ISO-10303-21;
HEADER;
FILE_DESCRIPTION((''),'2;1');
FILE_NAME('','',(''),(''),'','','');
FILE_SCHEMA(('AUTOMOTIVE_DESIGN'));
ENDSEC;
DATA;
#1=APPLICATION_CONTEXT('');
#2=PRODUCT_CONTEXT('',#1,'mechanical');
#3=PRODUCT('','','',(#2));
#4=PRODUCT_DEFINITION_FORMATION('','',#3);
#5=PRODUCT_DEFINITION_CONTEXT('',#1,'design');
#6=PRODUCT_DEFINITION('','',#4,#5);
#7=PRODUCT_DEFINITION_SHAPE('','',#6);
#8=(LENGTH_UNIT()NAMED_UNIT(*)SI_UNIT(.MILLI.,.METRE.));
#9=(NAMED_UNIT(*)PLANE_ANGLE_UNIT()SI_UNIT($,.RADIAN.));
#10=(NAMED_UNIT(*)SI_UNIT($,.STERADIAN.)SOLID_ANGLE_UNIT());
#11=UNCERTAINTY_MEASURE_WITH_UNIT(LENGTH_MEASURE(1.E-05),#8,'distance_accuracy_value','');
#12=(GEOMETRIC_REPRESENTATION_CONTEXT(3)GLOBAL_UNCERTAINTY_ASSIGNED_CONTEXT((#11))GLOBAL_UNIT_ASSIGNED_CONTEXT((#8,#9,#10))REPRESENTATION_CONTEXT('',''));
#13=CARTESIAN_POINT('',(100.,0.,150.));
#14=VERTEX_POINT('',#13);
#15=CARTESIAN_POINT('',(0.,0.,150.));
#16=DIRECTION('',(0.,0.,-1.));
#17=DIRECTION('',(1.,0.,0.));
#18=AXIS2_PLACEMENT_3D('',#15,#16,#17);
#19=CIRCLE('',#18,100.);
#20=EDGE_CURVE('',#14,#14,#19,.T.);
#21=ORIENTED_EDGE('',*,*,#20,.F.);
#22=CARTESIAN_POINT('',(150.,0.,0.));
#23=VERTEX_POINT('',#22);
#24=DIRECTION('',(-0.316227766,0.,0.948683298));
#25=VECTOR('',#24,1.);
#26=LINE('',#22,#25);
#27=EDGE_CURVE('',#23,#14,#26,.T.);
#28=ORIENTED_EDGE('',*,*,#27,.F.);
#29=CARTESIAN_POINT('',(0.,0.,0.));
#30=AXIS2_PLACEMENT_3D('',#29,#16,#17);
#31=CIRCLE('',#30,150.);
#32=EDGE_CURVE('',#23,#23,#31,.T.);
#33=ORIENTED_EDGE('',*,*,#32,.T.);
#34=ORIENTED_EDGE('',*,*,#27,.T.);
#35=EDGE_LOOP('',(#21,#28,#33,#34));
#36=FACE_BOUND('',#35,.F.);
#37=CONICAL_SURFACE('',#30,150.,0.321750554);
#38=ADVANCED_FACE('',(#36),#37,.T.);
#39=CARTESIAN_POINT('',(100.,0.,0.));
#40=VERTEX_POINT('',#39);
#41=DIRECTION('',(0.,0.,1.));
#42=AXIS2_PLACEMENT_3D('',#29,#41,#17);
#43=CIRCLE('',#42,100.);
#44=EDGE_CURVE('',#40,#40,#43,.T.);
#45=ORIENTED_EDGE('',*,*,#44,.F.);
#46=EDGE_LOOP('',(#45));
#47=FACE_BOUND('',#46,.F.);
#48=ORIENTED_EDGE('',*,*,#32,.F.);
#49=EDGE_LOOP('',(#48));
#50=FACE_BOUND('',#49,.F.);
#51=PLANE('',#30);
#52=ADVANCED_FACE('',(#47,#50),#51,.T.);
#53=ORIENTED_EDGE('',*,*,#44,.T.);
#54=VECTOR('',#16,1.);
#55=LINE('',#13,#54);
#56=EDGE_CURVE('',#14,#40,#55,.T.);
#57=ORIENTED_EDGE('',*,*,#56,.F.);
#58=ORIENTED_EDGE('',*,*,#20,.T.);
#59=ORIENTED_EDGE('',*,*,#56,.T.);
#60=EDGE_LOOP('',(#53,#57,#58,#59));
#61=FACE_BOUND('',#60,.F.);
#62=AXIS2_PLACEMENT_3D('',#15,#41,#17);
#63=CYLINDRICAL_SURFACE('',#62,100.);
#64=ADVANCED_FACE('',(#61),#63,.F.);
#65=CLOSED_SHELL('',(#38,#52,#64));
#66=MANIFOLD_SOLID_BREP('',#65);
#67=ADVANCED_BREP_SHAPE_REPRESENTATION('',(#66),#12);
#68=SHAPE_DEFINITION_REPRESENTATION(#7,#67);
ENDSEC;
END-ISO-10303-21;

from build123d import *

# Parameters (mm, degrees)
F1_FACE_R = 100
F2_DEPTH  = 225


with BuildPart() as f1:
    # F0 (on Front) → F1 (revolve)
    with BuildSketch(Plane.XZ):
        Polygon((100, 150), (0, 150), (0, 0), (150, 0), align=None)
    revolve(axis=Axis((0, 0, 75), (0, 0, -1)))

    # F1_face (on face) → F2 (cut)
    with BuildSketch(Plane.XY.offset(150)):
        Circle(F1_FACE_R)
    extrude(amount=-F2_DEPTH, mode=Mode.SUBTRACT)


solid = f1.part
